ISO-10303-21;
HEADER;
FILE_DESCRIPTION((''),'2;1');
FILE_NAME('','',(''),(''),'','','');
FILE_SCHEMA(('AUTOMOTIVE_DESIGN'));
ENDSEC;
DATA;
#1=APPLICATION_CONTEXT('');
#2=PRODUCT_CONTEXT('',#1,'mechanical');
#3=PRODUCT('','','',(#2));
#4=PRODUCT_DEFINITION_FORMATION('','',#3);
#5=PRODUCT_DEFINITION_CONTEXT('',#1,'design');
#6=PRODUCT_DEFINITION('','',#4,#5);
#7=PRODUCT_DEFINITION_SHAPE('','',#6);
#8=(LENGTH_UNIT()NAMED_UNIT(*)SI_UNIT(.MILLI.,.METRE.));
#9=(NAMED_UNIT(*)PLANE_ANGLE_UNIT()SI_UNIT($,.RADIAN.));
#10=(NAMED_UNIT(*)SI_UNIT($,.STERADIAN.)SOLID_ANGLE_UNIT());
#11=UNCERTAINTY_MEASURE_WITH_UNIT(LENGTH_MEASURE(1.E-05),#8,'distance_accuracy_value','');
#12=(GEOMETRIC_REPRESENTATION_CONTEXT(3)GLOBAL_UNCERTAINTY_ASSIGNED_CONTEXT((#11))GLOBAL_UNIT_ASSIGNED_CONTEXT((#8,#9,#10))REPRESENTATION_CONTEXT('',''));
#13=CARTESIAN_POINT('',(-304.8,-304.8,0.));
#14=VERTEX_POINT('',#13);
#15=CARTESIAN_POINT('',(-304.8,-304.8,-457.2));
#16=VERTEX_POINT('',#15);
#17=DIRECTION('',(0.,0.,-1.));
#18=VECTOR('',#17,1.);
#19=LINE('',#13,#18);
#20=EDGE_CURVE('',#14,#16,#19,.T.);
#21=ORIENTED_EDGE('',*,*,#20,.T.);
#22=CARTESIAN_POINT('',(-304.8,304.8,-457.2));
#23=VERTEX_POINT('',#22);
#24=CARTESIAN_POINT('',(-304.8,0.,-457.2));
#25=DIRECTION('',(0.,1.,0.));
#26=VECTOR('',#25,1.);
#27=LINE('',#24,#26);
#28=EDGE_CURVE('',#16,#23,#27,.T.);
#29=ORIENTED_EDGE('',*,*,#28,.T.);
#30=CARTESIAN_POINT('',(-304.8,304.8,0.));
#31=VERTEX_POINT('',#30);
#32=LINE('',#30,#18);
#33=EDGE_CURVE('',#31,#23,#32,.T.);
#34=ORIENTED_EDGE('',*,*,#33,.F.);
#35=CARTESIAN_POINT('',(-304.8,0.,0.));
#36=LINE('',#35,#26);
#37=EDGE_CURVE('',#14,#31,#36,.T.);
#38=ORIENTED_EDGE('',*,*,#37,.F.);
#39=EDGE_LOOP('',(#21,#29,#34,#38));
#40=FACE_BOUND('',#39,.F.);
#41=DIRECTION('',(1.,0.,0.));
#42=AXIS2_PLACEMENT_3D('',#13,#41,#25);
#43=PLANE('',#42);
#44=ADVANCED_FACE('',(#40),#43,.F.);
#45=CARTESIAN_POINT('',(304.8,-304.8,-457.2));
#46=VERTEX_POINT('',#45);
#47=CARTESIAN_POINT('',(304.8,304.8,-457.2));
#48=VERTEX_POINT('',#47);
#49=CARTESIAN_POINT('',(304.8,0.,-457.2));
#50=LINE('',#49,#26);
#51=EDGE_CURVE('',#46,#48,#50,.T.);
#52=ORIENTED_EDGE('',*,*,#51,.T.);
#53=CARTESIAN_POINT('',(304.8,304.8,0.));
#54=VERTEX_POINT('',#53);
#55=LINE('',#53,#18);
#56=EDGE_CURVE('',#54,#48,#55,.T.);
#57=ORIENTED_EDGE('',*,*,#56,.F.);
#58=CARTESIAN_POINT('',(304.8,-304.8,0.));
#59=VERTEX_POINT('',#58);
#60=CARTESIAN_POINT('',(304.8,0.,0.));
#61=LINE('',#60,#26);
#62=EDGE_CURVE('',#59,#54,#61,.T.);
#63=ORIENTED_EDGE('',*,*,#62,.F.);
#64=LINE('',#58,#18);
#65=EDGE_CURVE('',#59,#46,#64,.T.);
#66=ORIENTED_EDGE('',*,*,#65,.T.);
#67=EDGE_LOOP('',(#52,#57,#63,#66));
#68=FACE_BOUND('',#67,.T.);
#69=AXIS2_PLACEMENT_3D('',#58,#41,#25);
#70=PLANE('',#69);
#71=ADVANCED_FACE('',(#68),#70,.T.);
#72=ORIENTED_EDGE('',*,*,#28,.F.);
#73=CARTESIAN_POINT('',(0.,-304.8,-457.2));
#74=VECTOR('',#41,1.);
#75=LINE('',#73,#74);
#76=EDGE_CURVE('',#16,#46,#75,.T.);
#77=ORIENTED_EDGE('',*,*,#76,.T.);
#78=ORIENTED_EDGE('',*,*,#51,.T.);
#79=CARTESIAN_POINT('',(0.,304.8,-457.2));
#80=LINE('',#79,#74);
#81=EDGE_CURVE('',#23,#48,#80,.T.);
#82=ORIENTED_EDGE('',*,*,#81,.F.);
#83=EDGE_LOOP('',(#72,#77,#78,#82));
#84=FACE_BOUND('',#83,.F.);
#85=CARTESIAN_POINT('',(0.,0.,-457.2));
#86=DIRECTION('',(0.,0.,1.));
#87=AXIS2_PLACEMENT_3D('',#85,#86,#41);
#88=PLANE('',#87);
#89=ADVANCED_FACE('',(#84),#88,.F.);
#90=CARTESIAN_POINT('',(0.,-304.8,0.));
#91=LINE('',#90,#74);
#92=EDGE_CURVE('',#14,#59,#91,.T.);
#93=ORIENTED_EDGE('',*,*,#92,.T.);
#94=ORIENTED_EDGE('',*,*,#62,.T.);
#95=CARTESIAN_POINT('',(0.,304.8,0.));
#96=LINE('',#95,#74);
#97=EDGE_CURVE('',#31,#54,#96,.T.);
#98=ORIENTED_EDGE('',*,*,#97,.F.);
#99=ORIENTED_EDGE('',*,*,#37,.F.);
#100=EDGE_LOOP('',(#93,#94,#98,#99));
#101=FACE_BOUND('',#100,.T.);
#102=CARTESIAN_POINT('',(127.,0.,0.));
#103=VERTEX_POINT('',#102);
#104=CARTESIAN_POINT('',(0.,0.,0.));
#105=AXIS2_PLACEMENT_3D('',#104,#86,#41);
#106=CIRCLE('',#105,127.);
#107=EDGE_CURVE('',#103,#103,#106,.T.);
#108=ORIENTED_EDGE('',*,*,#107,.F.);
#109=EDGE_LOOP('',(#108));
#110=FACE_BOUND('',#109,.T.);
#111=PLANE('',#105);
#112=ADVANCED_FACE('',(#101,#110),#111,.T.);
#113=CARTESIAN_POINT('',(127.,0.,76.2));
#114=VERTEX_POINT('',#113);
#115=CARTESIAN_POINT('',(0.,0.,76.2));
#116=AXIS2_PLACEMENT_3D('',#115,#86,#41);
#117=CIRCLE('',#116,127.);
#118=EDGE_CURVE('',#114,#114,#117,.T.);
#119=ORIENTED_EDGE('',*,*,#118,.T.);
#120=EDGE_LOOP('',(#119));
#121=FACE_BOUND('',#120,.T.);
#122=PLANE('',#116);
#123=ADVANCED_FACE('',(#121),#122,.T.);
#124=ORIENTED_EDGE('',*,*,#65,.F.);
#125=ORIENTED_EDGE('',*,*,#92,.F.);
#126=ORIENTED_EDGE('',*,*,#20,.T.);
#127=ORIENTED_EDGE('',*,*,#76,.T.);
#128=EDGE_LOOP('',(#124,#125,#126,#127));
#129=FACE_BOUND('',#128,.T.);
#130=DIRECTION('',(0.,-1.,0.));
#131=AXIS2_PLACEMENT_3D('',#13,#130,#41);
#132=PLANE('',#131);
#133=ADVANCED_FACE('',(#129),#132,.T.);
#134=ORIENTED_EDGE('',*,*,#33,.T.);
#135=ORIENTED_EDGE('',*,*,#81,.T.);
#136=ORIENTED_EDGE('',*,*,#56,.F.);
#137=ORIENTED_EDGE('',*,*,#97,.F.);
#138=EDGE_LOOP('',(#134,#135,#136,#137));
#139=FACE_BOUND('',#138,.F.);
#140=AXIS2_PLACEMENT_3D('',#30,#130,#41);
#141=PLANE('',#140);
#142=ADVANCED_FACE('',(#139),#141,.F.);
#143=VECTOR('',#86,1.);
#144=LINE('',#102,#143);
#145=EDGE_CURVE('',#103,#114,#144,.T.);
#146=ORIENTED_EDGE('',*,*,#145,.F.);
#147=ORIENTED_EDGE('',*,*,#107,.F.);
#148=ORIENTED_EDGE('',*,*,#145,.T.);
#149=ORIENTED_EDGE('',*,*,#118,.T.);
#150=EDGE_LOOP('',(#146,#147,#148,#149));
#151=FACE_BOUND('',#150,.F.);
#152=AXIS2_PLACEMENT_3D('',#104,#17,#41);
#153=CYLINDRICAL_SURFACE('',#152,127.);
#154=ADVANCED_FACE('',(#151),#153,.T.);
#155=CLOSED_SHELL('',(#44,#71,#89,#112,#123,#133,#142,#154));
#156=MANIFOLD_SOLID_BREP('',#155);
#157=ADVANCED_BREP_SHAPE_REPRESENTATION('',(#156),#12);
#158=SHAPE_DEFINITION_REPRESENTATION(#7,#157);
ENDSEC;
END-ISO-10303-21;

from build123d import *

# Parameters (mm, degrees)
F0_W     = 609.6
F0_H     = 609.6
F1_DEPTH = 457.2
F2_R     = 127
F3_DEPTH = 76.2


with BuildPart() as f1:
    # F0 (on Top) → F1 (new body)
    with BuildSketch(Plane.XY):
        Rectangle(F0_W, F0_H)
    extrude(amount=-F1_DEPTH)

    # F2 (on face) → F3 (join)
    with BuildSketch(Plane.XY):
        Circle(F2_R)
    extrude(amount=F3_DEPTH)


solid = f1.part
